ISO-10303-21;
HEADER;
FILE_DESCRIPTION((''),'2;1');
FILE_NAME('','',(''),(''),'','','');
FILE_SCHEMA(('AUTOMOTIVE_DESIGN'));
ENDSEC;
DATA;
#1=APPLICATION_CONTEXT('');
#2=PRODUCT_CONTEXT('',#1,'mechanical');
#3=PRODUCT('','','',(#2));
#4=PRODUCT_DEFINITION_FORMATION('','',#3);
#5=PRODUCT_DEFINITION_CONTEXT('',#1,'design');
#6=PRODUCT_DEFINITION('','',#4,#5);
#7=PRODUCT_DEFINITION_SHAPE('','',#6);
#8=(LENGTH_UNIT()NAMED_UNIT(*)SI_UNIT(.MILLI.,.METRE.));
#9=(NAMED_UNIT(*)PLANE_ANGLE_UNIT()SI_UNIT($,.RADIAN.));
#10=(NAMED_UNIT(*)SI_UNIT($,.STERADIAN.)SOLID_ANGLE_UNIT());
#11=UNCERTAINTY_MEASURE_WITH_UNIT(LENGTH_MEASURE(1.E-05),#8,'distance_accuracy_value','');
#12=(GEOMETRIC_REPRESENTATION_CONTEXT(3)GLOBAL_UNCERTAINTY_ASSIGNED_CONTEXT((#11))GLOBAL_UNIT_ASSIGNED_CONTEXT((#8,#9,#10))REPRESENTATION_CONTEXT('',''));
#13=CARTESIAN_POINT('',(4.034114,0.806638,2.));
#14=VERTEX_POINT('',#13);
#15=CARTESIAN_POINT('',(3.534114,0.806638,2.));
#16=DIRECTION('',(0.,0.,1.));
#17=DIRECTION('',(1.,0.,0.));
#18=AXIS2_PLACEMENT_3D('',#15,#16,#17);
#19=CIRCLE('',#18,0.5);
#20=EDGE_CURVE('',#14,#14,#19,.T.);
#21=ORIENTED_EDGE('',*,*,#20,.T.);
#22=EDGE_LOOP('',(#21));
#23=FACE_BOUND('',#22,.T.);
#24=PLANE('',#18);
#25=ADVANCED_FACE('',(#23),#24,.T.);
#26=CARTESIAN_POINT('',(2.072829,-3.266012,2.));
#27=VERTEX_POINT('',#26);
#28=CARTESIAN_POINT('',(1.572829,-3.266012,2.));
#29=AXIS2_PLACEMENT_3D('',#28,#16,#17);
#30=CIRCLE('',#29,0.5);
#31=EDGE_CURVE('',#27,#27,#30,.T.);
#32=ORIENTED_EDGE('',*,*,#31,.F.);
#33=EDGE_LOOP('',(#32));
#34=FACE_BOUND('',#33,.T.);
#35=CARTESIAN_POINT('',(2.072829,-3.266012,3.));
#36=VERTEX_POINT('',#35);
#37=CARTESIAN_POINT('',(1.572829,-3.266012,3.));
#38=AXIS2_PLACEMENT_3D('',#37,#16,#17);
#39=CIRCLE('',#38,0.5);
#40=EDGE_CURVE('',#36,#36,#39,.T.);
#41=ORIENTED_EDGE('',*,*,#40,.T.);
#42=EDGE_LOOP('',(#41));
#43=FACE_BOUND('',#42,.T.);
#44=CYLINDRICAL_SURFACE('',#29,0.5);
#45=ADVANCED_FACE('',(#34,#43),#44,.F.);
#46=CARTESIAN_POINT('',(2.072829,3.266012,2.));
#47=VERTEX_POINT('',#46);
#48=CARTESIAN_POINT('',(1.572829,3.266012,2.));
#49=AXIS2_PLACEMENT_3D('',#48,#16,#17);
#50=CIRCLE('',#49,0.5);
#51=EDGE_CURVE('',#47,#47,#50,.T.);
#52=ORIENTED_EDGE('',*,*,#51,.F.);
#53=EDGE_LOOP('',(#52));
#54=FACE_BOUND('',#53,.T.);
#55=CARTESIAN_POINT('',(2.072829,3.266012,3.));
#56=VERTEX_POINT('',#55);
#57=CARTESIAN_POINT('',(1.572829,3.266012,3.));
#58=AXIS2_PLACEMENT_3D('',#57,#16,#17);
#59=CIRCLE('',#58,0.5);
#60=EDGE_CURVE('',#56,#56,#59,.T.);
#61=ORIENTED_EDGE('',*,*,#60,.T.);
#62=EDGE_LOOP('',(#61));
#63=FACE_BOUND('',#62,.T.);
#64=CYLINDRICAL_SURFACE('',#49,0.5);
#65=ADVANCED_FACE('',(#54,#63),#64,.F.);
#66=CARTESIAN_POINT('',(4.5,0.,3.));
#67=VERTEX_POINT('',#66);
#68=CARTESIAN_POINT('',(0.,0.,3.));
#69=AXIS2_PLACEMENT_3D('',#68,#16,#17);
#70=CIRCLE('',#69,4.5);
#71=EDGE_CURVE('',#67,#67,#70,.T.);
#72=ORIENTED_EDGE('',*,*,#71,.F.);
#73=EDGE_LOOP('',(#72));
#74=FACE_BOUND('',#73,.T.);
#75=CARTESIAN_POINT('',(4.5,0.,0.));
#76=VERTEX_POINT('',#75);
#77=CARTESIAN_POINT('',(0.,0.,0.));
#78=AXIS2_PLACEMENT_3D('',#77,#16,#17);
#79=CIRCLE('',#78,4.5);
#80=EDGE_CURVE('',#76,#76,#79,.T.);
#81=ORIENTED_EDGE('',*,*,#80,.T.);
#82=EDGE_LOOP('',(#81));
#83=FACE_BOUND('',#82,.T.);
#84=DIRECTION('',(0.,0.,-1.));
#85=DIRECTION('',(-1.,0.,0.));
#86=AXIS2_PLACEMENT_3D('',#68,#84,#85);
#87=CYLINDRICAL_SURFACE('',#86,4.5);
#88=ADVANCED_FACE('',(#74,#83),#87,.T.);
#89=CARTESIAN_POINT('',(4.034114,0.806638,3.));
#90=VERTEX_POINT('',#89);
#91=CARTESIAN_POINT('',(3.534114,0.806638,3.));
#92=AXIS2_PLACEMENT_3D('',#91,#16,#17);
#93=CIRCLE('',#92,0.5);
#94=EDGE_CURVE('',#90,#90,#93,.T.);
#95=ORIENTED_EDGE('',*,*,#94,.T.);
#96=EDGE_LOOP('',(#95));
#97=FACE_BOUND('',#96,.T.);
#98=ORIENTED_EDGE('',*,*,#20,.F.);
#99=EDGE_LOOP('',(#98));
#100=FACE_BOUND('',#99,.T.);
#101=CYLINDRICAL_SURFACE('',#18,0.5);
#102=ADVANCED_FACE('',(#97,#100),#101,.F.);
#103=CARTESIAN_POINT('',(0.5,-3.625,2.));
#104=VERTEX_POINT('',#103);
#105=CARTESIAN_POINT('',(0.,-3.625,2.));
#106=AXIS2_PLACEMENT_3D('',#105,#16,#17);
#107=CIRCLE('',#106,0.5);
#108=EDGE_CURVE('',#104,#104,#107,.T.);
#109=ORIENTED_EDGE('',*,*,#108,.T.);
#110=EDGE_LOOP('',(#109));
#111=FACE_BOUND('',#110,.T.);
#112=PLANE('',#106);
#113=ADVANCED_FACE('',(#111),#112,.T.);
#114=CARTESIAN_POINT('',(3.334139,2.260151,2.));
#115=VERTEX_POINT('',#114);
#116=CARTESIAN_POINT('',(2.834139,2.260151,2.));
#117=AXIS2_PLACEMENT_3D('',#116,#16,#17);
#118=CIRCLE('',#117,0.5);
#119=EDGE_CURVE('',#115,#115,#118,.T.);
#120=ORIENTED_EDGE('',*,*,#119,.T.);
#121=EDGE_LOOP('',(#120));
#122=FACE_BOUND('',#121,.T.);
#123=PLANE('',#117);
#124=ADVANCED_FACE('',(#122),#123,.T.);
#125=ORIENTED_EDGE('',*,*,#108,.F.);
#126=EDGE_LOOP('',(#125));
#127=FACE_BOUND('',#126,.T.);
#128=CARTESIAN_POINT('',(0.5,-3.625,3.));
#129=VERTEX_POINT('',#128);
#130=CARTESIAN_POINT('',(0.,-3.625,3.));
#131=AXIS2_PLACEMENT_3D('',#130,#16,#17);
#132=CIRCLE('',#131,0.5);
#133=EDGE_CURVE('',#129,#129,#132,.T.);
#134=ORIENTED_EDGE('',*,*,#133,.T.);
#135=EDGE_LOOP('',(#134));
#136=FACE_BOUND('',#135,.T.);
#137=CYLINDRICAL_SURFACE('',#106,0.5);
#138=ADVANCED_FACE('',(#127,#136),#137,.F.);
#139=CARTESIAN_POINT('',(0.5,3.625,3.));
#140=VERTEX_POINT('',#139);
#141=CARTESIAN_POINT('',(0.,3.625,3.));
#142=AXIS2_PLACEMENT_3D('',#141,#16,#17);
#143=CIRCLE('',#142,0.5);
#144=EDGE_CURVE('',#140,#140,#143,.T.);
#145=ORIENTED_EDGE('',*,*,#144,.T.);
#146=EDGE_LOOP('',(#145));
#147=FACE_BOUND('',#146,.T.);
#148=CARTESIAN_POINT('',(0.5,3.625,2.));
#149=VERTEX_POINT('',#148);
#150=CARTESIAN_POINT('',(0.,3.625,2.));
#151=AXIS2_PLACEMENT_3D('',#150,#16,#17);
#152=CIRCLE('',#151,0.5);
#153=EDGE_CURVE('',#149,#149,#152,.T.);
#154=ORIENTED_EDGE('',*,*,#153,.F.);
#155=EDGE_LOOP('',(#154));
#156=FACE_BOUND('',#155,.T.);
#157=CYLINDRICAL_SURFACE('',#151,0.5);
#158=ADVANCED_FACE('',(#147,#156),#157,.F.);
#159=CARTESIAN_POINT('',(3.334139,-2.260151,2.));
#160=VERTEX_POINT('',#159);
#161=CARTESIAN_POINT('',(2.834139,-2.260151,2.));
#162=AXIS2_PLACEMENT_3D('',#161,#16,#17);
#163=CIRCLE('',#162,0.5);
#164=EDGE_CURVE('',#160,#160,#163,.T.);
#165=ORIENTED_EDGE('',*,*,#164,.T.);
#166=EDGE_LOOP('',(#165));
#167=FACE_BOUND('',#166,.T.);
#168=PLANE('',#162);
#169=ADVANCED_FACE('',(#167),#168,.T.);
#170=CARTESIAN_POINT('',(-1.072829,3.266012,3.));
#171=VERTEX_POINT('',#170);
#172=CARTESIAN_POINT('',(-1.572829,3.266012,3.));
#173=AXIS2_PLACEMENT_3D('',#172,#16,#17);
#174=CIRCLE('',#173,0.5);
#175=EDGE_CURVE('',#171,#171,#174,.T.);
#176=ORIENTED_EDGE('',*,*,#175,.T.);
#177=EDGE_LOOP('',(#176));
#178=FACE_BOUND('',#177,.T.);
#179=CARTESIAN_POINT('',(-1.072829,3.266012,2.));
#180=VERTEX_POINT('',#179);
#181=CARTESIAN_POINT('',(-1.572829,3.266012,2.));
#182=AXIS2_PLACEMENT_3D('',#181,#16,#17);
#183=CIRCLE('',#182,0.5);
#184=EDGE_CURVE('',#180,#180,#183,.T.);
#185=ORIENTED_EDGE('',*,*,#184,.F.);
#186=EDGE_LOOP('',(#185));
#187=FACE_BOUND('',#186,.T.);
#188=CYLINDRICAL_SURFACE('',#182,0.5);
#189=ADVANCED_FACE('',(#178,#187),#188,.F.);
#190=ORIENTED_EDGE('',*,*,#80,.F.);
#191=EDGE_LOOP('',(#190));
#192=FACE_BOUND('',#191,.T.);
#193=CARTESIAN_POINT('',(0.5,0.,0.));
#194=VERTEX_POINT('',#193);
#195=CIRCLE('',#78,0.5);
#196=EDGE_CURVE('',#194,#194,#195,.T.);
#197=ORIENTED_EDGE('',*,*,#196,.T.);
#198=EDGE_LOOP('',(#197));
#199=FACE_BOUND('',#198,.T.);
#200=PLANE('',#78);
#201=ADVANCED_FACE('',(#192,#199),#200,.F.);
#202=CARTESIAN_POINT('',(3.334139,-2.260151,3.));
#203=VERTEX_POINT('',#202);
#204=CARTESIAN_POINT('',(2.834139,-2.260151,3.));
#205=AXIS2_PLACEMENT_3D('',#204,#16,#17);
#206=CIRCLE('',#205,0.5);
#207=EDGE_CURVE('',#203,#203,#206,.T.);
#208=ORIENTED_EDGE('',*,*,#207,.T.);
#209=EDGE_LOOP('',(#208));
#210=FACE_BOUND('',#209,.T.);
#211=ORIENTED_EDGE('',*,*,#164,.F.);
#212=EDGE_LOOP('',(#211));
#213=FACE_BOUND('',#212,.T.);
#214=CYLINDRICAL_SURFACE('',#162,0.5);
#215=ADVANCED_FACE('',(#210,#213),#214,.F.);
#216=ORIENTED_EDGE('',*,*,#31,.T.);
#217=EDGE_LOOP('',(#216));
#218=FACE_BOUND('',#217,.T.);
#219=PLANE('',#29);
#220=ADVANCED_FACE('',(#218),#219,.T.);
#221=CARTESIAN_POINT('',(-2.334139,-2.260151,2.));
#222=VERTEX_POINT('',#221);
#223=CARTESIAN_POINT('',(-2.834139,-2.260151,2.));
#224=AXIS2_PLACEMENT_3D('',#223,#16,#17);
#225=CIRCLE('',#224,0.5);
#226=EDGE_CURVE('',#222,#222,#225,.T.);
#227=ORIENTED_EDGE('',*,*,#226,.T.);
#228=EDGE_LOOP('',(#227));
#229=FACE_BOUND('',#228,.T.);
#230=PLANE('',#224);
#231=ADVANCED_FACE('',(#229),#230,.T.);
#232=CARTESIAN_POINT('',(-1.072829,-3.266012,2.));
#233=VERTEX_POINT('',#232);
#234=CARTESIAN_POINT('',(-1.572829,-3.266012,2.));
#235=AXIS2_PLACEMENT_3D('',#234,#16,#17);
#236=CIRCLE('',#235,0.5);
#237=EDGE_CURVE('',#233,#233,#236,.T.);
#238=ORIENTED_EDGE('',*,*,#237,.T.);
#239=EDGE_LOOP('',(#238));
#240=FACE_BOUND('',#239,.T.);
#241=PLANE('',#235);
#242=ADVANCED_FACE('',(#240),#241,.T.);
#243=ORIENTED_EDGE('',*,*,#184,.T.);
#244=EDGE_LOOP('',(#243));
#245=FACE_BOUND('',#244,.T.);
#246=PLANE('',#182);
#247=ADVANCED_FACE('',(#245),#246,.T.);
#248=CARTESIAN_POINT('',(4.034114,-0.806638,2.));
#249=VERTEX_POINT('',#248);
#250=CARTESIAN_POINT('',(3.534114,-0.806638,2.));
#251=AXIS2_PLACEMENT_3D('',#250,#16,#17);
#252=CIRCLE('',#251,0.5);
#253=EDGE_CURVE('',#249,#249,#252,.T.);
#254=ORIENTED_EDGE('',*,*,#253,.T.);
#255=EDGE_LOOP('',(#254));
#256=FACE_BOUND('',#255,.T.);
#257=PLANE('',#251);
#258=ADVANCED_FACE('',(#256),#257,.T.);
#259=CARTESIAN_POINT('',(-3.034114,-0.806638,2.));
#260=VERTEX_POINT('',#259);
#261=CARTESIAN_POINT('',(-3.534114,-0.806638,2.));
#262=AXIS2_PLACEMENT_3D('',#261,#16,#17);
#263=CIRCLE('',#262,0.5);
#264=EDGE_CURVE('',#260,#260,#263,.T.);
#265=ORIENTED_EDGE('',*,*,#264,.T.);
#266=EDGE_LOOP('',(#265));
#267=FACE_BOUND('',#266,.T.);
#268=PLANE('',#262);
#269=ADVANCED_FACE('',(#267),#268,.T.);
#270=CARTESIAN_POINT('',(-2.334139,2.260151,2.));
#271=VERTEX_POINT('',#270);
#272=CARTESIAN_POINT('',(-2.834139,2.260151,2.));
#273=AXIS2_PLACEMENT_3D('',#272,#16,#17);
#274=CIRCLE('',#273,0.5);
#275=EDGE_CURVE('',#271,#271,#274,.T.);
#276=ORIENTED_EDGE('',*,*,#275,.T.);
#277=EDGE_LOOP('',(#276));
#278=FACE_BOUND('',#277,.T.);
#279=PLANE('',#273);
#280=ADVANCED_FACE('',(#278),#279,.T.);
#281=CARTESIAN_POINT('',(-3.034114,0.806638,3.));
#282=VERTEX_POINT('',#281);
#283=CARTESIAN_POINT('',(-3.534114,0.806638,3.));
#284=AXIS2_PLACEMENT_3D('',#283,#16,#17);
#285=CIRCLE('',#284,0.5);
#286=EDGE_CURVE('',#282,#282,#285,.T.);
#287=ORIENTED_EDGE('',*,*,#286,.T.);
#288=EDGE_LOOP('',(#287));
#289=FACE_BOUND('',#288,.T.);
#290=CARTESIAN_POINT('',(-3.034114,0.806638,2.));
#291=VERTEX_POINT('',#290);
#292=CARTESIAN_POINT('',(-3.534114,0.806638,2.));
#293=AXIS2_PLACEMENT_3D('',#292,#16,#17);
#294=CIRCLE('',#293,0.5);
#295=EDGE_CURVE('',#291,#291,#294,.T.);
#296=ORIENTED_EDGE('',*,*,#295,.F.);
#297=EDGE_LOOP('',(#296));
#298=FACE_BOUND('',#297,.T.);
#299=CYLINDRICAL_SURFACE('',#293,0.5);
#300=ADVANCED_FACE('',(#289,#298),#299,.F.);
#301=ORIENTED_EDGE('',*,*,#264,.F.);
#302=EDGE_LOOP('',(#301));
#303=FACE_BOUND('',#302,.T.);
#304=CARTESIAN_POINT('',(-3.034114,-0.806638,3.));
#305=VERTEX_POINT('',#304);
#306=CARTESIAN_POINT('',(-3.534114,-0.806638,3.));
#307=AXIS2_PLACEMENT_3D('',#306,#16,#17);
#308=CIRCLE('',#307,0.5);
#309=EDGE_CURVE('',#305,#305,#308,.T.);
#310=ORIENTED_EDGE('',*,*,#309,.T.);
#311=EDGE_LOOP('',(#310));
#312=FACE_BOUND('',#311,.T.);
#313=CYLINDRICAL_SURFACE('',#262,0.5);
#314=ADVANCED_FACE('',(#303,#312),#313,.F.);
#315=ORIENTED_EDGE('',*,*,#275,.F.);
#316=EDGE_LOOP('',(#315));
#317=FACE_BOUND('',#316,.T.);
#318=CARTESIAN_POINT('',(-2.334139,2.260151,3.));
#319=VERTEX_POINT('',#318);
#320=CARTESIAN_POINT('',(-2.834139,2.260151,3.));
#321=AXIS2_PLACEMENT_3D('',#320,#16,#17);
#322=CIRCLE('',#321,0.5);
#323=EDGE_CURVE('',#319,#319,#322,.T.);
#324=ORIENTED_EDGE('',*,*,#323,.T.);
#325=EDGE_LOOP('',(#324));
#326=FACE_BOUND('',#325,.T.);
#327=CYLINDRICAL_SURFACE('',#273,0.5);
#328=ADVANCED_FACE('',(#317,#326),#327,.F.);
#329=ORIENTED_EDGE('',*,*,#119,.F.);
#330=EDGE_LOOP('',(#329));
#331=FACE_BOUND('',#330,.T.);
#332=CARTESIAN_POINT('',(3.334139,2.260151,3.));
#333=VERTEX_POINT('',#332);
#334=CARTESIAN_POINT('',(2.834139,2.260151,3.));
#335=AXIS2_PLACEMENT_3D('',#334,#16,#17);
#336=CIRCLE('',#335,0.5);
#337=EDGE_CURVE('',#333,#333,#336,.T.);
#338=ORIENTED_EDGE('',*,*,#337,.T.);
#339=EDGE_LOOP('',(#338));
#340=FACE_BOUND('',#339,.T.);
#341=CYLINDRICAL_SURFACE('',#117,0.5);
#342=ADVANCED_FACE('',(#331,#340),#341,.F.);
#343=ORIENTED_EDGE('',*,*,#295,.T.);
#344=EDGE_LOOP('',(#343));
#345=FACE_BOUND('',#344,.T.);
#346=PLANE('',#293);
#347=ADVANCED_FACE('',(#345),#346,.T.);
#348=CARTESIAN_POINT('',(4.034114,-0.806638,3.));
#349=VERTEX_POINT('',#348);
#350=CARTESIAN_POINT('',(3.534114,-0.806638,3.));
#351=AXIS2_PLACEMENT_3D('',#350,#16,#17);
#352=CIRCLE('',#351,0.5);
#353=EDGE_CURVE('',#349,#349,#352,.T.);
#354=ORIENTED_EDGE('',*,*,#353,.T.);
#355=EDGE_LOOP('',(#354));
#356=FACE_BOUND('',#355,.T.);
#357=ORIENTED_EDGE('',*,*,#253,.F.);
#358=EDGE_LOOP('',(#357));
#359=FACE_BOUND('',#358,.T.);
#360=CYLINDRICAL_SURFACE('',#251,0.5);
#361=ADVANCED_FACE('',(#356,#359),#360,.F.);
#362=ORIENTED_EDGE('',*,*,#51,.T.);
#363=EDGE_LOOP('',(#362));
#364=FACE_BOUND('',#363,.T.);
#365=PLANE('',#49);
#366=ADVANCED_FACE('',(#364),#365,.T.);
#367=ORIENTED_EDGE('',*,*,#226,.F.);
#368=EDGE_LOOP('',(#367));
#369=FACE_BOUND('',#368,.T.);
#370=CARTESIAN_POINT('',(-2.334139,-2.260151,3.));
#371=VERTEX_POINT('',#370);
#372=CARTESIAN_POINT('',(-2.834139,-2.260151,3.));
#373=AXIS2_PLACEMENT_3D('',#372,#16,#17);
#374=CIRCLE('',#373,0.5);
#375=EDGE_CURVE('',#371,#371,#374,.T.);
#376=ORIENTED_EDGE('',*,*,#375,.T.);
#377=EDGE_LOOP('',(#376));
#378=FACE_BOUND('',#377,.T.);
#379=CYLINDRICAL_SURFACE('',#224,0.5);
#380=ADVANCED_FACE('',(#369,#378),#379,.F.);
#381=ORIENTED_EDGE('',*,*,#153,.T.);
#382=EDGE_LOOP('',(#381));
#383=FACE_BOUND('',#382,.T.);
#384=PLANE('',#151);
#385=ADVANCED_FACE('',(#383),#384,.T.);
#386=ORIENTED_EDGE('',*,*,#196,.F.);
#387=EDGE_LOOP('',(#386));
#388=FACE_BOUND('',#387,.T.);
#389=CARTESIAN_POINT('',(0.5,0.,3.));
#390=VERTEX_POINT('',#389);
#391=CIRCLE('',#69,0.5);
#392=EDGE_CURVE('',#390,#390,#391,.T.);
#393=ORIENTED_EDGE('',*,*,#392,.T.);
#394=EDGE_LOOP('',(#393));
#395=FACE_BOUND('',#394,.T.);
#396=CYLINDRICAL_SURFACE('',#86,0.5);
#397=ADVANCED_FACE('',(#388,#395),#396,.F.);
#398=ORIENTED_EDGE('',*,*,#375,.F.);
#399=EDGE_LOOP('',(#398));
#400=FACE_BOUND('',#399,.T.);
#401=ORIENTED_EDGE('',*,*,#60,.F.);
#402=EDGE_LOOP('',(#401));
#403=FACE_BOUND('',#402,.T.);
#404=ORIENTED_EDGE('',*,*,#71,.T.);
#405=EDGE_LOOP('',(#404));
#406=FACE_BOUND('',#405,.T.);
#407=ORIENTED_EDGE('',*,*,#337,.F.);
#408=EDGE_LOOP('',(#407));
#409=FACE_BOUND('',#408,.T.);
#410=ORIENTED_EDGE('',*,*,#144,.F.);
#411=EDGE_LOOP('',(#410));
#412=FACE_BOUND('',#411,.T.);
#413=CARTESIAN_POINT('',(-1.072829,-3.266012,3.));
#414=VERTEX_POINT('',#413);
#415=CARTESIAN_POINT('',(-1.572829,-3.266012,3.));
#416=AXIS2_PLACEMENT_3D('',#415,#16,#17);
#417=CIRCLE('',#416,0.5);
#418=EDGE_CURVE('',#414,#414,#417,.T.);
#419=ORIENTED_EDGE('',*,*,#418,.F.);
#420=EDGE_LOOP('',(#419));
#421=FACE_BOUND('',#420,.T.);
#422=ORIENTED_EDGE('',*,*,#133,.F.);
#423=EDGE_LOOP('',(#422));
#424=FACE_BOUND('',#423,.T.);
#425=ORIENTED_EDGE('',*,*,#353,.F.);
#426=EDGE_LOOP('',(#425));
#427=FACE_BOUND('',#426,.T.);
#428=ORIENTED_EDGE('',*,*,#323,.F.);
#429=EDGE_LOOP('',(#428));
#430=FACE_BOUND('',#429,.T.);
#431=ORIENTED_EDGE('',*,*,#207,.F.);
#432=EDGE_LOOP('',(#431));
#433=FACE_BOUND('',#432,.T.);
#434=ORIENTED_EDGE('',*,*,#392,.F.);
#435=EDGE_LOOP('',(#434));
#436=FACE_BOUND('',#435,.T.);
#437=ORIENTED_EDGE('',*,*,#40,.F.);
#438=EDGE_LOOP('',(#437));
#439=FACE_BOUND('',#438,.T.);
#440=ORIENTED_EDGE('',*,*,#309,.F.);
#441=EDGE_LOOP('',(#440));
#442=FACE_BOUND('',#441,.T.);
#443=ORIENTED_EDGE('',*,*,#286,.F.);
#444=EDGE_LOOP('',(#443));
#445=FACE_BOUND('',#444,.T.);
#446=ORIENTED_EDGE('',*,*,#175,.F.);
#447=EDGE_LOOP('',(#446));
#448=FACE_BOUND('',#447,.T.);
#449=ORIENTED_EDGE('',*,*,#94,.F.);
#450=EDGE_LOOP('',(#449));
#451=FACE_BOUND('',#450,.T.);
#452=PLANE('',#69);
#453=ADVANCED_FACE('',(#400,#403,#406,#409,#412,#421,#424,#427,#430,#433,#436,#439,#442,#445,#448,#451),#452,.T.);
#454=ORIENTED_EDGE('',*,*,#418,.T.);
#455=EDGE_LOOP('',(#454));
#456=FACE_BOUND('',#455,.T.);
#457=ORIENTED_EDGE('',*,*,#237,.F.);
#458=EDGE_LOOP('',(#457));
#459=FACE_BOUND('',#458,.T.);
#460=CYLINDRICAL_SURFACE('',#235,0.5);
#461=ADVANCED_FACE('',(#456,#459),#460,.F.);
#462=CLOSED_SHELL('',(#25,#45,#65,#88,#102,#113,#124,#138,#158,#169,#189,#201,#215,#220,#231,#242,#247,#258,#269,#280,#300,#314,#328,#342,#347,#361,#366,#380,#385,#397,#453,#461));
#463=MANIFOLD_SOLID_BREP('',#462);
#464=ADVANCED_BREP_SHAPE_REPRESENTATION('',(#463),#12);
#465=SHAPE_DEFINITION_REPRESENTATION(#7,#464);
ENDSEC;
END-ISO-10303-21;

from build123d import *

# Parameters (mm, degrees)
SZKIC1_R                    = 4.5
SZKIC1_R_2                  = 0.5
DODANIE_WYCI_GNI_CIE1_DEPTH = 3
SZKIC2_R                    = 0.5
WYTNIJ_WYCI_GNI_CIE1_DEPTH  = 1


with BuildPart() as part:
    # Szkic1 → Dodanie-wyciągnięcie1 (new body)
    with BuildSketch(Plane.XY):
        Circle(SZKIC1_R)
        Circle(SZKIC1_R_2, mode=Mode.SUBTRACT)
    extrude(amount=DODANIE_WYCI_GNI_CIE1_DEPTH)

    # Szkic2 → Wytnij-wyciągnięcie1 (cut)
    with BuildSketch(Plane.XY.offset(3)):
        with Locations((0, 3.625)):
            Circle(SZKIC2_R)
        with Locations((1.572828554, 3.266012146)):
            Circle(SZKIC2_R)
        with Locations((2.834139124, 2.260150532)):
            Circle(SZKIC2_R)
        with Locations((3.534113682, 0.806638386)):
            Circle(SZKIC2_R)
        with Locations((3.534113682, -0.806638386)):
            Circle(SZKIC2_R)
        with Locations((2.834139124, -2.260150532)):
            Circle(SZKIC2_R)
        with Locations((1.572828554, -3.266012146)):
            Circle(SZKIC2_R)
        with Locations((0, -3.625)):
            Circle(SZKIC2_R)
        with Locations((-1.572828554, -3.266012146)):
            Circle(SZKIC2_R)
        with Locations((-2.834139124, -2.260150532)):
            Circle(SZKIC2_R)
        with Locations((-3.534113682, -0.806638386)):
            Circle(SZKIC2_R)
        with Locations((-3.534113682, 0.806638386)):
            Circle(SZKIC2_R)
        with Locations((-2.834139124, 2.260150532)):
            Circle(SZKIC2_R)
        with Locations((-1.572828554, 3.266012146)):
            Circle(SZKIC2_R)
    extrude(amount=-WYTNIJ_WYCI_GNI_CIE1_DEPTH, mode=Mode.SUBTRACT)


solid = part.part
